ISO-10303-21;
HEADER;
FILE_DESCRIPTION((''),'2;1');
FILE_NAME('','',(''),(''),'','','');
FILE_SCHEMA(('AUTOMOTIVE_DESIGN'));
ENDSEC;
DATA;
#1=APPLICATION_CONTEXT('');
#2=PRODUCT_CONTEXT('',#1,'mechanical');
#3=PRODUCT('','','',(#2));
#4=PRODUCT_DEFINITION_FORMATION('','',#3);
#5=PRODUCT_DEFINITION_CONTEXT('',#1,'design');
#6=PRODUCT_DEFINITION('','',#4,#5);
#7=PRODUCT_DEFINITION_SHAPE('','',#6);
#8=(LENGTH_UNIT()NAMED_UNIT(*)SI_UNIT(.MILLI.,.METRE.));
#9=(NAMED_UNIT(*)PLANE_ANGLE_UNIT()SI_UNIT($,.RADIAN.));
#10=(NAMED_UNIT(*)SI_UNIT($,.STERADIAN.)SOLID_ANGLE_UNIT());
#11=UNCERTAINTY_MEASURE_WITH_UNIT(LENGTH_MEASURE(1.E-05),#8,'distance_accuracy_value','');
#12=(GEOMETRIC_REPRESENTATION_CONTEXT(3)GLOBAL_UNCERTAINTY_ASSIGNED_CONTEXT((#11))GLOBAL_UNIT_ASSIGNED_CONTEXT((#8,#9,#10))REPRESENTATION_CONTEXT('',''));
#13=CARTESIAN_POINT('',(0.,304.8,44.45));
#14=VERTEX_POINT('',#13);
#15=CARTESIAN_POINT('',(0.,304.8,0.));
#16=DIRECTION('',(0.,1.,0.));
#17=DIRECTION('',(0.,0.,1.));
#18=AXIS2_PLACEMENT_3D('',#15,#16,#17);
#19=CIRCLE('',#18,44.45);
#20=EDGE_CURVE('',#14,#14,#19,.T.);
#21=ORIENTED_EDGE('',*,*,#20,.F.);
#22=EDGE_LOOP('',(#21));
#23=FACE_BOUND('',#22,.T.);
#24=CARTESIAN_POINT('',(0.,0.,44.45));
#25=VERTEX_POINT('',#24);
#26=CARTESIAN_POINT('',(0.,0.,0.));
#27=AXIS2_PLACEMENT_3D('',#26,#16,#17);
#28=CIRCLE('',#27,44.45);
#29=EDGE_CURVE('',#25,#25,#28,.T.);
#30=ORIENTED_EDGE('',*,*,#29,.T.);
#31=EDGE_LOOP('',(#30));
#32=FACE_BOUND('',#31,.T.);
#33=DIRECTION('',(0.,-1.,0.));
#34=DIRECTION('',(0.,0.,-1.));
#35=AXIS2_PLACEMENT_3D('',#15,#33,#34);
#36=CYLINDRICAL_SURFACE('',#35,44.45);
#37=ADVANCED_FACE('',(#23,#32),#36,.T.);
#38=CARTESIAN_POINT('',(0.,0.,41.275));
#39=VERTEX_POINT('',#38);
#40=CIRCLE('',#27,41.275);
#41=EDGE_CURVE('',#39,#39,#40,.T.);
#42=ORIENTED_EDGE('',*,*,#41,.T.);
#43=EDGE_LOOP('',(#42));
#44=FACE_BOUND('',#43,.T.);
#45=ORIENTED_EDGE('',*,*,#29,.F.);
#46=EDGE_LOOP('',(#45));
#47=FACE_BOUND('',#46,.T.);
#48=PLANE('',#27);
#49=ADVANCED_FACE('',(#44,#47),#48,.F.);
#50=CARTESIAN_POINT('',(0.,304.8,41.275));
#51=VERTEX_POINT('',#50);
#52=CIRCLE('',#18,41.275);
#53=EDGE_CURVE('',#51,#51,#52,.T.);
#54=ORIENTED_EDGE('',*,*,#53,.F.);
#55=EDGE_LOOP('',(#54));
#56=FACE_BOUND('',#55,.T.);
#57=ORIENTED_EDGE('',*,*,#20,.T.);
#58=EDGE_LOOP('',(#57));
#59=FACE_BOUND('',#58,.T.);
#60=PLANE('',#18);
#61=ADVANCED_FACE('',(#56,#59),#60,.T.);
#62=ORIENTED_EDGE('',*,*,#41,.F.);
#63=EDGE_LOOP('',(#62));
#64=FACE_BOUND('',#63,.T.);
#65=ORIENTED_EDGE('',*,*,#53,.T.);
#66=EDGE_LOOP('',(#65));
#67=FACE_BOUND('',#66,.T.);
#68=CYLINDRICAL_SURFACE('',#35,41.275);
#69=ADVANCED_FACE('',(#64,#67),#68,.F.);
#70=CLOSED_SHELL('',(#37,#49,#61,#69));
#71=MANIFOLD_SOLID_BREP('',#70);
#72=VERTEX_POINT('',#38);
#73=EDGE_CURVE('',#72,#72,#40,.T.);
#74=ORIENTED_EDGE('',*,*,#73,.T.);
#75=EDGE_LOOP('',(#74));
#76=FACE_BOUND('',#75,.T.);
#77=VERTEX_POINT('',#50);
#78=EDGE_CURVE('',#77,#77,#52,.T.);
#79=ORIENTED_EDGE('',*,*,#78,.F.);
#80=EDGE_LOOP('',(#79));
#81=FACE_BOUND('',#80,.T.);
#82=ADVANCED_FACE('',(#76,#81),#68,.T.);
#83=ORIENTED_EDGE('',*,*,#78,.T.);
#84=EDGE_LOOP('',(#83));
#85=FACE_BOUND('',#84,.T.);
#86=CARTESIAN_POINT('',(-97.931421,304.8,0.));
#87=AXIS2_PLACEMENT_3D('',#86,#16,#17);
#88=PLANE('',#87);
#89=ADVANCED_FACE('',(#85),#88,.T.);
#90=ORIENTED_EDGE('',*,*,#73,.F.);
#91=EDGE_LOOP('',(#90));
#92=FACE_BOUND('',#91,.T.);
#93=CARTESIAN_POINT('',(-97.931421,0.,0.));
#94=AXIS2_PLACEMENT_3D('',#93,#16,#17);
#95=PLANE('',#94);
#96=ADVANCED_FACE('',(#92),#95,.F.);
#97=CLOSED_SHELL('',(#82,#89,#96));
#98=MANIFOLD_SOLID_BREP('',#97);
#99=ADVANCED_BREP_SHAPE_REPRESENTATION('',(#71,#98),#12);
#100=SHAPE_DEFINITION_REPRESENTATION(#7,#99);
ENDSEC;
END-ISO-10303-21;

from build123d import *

# Parameters (mm, degrees)
SKETCH1_R           = 44.45
SKETCH1_R_2         = 41.275
BOSS_EXTRUDE1_DEPTH = 304.8
SKETCH1_2_R         = 41.275
BOSS_EXTRUDE2_DEPTH = 304.8


with BuildPart() as part:
    # Sketch1 → Boss-Extrude1 (new body)
    with BuildSketch(Plane(origin=(0, 0, 0), x_dir=(1, 0, 0), z_dir=(0, 1, 0))):
        Circle(SKETCH1_R)
        Circle(SKETCH1_R_2, mode=Mode.SUBTRACT)
    extrude(amount=BOSS_EXTRUDE1_DEPTH)


with BuildPart() as body_2:
    # Sketch1<2> → Boss-Extrude2 (new body)
    with BuildSketch(Plane(origin=(0, 0, 0), x_dir=(1, 0, 0), z_dir=(0, 1, 0))):
        Circle(SKETCH1_2_R)
    extrude(amount=BOSS_EXTRUDE2_DEPTH)


solid = Compound([part.part, body_2.part])
